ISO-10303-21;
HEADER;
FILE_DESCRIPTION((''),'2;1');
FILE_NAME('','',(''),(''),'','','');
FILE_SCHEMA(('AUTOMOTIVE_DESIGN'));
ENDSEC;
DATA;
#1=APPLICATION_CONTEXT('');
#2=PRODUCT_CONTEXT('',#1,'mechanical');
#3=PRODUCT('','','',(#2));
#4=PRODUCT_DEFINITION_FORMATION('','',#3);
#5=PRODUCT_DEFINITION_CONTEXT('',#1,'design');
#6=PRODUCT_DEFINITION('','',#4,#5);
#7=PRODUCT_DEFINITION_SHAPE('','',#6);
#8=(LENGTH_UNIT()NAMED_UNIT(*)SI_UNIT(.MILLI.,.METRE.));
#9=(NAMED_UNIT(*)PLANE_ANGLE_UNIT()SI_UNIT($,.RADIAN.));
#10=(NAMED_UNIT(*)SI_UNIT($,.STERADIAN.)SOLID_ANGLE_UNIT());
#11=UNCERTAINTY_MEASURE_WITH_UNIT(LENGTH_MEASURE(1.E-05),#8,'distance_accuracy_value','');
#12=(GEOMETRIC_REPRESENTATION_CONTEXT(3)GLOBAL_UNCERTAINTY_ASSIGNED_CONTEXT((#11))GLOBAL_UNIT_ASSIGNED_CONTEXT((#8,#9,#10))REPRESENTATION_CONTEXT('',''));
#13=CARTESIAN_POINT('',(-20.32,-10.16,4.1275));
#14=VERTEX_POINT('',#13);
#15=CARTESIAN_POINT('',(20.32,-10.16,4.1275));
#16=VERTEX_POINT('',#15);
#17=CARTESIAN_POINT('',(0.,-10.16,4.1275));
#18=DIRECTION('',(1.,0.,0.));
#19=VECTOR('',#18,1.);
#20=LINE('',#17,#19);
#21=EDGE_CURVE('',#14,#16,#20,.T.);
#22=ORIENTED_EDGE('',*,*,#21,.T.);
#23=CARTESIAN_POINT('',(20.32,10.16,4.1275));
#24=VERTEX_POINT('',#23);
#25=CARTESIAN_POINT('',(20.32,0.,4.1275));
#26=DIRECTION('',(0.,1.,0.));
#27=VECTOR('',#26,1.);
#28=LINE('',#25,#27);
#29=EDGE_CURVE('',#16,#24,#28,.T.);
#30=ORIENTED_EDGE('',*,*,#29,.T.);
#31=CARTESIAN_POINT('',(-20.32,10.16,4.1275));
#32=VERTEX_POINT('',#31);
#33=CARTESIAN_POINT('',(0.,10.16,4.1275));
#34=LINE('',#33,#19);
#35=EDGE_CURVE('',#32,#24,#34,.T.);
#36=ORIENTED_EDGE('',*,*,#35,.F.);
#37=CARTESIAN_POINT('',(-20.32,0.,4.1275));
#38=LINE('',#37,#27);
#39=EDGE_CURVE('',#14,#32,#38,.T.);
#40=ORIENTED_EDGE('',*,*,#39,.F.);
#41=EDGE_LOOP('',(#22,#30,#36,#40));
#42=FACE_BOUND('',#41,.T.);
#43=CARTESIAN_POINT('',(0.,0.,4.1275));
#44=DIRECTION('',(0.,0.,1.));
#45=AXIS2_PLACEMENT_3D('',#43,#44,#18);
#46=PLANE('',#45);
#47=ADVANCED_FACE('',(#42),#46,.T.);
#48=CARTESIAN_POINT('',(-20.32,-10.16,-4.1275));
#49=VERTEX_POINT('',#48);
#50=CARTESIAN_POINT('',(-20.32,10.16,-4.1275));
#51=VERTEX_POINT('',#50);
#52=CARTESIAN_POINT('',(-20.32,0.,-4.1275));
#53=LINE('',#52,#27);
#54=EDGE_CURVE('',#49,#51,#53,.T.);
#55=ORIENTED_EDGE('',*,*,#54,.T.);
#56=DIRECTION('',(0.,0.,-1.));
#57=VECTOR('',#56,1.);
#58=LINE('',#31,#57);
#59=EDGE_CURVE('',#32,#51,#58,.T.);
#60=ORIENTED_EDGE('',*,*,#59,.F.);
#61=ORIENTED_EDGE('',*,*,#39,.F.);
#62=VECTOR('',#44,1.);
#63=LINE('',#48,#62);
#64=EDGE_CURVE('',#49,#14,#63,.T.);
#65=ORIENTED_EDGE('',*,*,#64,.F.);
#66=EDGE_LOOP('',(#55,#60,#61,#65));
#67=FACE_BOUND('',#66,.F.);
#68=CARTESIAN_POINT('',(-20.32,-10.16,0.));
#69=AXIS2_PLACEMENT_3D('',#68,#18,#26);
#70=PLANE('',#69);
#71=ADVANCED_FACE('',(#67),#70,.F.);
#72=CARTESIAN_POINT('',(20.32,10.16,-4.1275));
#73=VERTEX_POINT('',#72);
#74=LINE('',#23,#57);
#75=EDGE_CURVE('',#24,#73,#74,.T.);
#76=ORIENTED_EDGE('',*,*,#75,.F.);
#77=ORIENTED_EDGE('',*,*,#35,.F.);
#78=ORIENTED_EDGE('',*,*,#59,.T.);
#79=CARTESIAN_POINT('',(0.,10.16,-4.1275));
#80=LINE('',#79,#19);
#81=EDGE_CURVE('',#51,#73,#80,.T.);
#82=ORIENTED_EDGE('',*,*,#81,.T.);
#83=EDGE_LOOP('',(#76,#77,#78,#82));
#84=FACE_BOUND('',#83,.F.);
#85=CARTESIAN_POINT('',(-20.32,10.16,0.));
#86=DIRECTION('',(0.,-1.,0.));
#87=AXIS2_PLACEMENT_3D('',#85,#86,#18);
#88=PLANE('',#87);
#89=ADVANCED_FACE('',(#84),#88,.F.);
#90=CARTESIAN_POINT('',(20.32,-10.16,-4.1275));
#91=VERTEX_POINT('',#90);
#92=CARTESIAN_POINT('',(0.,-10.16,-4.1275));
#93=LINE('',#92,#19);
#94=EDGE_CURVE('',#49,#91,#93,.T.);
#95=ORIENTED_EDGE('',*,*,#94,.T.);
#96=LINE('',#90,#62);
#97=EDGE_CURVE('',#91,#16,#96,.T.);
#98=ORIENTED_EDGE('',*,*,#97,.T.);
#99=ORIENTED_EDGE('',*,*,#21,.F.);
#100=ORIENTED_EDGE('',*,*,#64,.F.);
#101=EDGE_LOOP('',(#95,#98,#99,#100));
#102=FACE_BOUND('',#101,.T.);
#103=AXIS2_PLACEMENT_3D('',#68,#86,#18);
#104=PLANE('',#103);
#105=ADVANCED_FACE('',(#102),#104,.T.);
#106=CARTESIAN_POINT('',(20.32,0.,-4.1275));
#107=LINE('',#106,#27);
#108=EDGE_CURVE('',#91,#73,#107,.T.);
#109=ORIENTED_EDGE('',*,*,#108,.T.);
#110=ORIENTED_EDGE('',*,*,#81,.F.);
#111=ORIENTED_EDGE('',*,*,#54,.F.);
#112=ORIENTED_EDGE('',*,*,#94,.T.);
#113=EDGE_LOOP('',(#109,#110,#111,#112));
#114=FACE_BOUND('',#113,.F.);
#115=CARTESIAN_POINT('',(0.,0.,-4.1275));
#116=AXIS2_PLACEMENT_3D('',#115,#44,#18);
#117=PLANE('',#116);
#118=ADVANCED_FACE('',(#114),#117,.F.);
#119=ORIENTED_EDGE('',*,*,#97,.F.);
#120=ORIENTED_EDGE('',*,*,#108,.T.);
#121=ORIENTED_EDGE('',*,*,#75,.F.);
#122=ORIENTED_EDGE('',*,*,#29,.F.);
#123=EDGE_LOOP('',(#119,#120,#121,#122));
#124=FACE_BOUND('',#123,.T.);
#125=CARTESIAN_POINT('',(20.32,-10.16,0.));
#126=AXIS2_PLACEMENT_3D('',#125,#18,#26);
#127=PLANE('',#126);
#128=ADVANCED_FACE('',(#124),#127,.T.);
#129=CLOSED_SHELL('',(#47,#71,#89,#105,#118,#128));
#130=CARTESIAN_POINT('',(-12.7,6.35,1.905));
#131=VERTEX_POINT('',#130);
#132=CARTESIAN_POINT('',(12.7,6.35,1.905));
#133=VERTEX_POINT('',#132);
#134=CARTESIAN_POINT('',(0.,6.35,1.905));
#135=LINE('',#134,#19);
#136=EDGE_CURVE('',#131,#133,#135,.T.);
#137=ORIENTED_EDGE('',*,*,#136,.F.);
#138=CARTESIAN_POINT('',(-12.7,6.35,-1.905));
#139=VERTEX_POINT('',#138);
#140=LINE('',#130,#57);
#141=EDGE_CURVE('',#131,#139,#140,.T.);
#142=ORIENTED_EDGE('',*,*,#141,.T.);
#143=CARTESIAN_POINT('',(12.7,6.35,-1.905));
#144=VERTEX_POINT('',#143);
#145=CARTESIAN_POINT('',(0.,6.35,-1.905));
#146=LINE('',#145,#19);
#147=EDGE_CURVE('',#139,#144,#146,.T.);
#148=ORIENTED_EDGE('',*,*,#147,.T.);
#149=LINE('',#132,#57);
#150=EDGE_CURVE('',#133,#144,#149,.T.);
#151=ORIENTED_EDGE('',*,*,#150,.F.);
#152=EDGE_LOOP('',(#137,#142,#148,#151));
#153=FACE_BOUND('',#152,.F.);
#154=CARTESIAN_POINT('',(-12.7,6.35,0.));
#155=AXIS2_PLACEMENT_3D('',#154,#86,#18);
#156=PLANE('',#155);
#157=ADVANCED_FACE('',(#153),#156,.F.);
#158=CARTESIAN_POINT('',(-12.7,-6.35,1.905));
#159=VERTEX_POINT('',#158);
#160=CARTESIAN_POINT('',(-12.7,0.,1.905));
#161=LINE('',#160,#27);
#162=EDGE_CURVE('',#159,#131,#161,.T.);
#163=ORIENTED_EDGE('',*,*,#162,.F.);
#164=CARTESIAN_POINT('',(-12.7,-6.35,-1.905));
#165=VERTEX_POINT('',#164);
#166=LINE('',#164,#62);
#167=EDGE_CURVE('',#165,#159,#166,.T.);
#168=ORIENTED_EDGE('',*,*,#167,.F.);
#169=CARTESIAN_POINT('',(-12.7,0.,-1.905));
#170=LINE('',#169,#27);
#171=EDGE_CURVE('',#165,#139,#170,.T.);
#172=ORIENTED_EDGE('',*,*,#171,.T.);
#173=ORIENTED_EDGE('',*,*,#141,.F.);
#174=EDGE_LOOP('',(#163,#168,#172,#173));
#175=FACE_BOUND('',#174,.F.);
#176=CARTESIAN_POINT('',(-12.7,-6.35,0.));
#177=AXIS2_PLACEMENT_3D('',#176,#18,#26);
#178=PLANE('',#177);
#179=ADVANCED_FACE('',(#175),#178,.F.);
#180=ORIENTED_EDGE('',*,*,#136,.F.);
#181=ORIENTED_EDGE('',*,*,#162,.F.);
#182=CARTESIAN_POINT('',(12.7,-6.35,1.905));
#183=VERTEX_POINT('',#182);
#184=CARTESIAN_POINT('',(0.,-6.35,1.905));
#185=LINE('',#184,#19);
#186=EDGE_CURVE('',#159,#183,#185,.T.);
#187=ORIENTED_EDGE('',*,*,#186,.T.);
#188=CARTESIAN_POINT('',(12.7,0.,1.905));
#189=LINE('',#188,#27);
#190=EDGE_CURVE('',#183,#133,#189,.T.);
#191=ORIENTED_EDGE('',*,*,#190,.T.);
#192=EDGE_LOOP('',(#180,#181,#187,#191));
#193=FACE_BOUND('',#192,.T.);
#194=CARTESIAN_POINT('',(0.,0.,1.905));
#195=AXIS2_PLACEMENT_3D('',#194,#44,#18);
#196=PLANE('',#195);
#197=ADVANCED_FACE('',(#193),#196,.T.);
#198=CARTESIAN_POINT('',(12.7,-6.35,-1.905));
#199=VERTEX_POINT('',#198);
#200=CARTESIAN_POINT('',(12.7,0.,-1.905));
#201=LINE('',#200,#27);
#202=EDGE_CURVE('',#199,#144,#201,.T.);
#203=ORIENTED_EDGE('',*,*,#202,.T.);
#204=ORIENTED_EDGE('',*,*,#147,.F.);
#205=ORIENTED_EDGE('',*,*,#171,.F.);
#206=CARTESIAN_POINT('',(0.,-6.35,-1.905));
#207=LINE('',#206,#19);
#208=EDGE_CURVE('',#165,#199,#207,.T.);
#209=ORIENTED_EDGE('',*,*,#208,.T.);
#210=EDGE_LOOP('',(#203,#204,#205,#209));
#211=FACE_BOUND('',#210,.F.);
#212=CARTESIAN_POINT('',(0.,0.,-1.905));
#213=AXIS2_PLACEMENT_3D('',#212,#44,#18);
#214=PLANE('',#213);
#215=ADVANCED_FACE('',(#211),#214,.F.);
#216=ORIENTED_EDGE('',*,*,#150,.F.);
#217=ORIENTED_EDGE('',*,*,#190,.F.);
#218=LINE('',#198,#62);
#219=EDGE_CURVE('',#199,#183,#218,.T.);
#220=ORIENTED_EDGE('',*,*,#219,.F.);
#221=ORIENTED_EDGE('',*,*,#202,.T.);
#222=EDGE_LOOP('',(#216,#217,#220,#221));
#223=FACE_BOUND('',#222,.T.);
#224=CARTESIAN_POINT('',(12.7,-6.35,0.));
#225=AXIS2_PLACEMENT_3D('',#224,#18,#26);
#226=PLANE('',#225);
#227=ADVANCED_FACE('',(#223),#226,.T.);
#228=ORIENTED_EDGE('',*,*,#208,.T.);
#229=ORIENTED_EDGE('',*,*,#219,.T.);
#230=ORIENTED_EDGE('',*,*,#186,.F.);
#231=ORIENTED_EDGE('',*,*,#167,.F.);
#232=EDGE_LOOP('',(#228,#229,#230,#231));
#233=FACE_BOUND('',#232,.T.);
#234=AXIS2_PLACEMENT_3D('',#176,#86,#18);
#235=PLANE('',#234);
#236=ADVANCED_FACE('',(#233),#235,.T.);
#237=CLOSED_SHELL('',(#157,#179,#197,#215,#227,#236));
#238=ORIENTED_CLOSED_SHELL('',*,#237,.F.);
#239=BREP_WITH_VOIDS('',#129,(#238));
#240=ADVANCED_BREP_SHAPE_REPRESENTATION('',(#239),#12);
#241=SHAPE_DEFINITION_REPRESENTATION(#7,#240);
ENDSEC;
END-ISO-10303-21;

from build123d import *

# Parameters (mm, degrees)
F0_W     = 40.64
F0_H     = 20.32
F1_DEPTH = 4.1275
F2_W     = 25.4
F2_H     = 12.7
F3_DEPTH = 1.905


with BuildPart() as f1:
    # F0 (on Top) → F1 (new body, symmetric)
    with BuildSketch(Plane.XY):
        Rectangle(F0_W, F0_H)
    extrude(amount=F1_DEPTH, both=True)

    # F2 (on Top) → F3 (cut, symmetric)
    with BuildSketch(Plane.XY):
        Rectangle(F2_W, F2_H)
    extrude(amount=F3_DEPTH, both=True, mode=Mode.SUBTRACT)


solid = f1.part
